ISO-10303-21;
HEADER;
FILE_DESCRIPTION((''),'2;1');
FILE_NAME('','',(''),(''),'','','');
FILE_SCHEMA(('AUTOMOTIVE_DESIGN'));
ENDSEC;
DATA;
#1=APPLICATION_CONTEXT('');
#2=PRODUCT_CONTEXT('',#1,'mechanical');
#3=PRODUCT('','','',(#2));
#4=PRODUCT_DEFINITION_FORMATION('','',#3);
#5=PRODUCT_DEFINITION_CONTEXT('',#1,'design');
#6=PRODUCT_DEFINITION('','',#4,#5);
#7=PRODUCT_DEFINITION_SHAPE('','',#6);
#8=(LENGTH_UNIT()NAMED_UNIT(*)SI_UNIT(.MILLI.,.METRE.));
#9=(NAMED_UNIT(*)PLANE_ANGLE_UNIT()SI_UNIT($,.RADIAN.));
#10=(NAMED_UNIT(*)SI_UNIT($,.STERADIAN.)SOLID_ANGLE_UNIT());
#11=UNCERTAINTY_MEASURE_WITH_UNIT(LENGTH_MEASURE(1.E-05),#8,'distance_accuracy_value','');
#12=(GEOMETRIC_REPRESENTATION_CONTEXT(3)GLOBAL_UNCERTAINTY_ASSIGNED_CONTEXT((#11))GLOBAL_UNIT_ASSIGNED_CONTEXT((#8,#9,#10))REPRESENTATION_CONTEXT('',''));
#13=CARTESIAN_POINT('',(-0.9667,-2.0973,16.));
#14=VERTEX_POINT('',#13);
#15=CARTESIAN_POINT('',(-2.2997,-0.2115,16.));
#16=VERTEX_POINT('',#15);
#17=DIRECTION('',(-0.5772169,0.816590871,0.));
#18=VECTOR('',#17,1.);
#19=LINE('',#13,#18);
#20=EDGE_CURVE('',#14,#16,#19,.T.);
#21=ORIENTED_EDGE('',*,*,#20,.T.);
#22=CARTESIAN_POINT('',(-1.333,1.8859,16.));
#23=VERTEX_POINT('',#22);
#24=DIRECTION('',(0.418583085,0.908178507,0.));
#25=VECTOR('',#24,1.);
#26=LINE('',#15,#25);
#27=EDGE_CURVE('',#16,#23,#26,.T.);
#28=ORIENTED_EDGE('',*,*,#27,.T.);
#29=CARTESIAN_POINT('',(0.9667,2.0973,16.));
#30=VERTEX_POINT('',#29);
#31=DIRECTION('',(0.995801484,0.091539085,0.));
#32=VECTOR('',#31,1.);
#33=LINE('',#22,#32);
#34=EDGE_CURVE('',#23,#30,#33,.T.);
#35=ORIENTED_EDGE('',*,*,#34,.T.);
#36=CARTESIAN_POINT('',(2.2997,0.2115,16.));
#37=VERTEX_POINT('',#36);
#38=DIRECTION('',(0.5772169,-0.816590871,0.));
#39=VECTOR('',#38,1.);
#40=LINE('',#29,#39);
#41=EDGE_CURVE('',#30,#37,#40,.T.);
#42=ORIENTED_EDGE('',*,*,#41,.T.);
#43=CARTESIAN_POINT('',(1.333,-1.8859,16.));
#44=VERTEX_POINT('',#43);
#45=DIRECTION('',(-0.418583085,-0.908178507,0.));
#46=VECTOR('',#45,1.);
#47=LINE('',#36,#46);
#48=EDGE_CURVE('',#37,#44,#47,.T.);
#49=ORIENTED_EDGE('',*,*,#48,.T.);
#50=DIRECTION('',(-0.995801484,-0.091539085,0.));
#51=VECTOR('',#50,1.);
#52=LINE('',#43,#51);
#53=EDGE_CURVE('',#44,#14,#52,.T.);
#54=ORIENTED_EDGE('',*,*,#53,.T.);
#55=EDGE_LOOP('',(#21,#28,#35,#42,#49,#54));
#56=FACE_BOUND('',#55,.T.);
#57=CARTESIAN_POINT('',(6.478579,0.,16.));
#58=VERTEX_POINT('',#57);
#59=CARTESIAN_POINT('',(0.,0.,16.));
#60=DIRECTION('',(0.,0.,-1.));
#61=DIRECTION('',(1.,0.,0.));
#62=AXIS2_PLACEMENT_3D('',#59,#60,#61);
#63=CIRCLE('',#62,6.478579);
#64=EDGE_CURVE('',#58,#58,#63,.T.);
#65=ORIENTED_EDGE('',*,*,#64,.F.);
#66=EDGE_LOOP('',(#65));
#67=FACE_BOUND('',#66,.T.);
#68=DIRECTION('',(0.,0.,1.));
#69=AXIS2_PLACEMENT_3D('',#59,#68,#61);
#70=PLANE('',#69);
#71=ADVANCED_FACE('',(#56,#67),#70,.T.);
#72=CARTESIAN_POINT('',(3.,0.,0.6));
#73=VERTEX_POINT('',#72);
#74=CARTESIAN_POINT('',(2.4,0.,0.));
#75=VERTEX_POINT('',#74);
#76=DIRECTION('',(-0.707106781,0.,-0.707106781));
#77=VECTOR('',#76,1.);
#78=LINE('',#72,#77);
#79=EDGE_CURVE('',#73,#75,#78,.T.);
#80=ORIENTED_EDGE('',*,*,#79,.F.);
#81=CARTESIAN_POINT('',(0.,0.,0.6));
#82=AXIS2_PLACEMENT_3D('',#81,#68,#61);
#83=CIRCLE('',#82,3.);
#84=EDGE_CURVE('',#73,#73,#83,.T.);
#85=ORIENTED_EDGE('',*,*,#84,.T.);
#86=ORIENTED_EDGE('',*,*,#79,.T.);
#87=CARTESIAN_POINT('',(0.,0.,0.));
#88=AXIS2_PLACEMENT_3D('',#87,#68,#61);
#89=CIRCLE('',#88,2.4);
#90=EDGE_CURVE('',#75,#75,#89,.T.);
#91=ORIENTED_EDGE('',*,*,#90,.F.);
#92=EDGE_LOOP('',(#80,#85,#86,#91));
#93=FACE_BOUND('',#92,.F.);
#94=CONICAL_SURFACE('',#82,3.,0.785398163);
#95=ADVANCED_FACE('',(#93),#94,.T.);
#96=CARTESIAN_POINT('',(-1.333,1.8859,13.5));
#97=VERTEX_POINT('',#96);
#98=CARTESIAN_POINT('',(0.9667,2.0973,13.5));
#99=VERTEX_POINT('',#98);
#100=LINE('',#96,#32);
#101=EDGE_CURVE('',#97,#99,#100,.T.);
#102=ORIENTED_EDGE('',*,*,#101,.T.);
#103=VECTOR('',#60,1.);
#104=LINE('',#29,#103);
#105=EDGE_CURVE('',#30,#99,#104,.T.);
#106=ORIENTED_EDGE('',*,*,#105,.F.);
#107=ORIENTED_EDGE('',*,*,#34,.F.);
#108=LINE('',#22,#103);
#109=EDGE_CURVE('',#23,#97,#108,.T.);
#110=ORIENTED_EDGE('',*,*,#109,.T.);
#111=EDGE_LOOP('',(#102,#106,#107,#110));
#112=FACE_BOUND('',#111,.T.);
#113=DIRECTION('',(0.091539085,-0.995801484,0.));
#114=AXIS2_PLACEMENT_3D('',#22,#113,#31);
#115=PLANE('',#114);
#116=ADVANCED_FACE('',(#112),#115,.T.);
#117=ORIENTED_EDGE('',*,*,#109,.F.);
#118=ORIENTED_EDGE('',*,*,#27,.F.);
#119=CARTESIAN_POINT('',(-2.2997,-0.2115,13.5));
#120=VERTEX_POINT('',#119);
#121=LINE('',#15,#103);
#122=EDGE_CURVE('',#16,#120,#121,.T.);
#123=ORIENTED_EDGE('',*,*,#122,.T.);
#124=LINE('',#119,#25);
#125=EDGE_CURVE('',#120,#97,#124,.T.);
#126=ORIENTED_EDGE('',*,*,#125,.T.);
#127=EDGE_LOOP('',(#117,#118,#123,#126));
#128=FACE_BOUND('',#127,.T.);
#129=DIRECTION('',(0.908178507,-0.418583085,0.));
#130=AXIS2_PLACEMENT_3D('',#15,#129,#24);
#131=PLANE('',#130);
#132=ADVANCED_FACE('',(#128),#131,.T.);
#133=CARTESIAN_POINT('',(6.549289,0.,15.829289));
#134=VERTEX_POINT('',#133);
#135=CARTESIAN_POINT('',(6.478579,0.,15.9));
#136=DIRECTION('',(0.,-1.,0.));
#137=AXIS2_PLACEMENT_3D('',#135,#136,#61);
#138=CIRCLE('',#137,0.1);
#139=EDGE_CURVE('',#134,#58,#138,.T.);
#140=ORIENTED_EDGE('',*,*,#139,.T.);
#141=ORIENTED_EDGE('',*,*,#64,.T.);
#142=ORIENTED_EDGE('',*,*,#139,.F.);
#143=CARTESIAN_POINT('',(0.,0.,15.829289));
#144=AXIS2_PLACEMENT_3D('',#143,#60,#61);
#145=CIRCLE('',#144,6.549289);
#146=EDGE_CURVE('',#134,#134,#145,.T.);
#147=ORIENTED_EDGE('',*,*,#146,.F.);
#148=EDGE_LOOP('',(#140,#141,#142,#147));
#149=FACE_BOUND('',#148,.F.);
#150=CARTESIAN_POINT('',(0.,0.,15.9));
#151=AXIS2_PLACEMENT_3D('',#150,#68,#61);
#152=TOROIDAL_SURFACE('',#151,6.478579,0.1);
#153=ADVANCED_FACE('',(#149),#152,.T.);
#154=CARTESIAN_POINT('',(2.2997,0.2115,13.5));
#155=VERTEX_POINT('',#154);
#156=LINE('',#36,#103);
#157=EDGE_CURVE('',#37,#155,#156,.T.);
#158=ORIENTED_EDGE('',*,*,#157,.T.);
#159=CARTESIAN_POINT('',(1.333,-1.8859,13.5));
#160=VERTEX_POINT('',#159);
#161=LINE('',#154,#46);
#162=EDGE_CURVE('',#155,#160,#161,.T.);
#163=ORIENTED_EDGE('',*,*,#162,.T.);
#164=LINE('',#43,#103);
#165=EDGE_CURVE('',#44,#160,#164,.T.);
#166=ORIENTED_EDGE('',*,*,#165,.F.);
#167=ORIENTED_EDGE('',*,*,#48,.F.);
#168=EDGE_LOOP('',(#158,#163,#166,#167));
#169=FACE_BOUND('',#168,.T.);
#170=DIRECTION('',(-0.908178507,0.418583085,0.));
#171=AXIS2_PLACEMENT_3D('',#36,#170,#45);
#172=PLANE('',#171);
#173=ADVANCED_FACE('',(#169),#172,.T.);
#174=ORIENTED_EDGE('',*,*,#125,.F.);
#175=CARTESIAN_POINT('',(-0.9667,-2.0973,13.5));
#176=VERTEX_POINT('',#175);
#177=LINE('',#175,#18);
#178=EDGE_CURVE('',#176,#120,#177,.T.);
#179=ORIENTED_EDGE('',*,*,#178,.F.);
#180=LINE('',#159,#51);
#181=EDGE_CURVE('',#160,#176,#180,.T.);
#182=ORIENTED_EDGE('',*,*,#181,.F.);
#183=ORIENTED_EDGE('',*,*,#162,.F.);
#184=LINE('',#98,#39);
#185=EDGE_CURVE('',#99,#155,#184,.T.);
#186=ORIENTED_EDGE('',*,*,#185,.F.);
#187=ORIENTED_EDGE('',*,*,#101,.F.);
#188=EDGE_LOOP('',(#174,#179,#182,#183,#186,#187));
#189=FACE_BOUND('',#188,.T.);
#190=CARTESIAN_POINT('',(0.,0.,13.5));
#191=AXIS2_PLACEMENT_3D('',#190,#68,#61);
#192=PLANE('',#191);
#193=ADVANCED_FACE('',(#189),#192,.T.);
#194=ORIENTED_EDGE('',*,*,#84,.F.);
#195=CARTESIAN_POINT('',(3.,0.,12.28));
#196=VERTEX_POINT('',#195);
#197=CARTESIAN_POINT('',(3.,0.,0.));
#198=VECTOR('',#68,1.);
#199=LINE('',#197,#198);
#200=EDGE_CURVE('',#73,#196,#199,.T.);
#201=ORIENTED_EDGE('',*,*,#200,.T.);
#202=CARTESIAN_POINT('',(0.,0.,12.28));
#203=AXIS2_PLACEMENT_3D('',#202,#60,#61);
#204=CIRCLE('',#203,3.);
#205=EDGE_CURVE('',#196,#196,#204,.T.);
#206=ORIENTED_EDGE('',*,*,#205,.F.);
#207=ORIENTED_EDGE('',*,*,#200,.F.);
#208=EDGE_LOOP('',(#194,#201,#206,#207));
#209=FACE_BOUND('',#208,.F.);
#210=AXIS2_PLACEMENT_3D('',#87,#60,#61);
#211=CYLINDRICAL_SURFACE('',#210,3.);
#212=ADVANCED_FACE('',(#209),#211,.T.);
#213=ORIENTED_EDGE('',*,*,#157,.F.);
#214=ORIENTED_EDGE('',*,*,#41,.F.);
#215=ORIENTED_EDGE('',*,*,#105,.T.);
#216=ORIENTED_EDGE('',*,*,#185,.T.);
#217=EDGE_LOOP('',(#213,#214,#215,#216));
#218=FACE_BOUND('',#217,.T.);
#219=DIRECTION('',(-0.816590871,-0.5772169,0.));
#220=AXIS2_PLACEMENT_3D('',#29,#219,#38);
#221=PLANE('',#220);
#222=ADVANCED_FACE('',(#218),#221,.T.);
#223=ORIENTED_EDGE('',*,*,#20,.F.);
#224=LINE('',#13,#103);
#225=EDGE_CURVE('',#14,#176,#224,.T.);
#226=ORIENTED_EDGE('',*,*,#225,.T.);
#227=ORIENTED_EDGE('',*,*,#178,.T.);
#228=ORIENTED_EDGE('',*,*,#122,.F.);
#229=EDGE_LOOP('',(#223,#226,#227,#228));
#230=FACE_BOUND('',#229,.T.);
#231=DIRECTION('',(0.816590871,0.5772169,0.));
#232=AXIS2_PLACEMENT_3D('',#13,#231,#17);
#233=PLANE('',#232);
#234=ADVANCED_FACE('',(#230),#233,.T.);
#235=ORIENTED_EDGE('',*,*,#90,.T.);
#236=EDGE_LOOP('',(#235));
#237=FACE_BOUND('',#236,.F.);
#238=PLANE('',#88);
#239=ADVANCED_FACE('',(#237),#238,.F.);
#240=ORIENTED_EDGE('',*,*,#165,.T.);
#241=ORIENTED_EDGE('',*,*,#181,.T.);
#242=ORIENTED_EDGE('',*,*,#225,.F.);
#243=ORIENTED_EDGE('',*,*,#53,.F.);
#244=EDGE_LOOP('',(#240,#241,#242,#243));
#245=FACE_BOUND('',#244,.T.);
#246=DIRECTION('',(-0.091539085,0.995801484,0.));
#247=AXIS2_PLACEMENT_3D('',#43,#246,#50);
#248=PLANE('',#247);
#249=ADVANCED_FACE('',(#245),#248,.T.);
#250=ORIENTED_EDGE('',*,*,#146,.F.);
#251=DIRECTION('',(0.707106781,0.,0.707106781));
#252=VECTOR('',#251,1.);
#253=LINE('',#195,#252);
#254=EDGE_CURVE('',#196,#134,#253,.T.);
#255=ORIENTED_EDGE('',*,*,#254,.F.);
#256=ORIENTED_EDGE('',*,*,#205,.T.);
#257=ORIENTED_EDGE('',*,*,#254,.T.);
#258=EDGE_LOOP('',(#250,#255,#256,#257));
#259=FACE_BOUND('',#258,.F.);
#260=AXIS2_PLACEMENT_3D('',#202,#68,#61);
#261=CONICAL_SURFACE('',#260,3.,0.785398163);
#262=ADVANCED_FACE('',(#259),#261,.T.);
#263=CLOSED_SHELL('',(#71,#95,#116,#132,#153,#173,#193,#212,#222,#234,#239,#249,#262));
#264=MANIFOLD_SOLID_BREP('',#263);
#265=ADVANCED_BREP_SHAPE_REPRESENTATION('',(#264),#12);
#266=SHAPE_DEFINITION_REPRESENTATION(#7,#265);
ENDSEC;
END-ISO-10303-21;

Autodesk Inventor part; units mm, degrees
ref_plane "YZ Plane" through (0, 0, 0) normal (1, 0, 0) x (0, 1, 0)
ref_plane "XZ Plane" through (0, 0, 0) normal (0, 1, 0) x (-1, 0, 0)
ref_plane "XY Plane" through (0, 0, 0) normal (0, 0, 1) x (1, 0, 0)
sketch "Sketch1" plane through (0, 0, 0) normal (0, 0, 1) x (1, 0, 0)
  circle A0 centre (0, 0) radius 3
  dimension "Diameter" = 6
extrude "Extrusion1" add sketch "Sketch1" along normal blind 12.28
sketch "Sketch2" plane through (0, 0, 12.28) normal (0, 0, 1) x (1, 0, 0)
  circle A0 centre (0, 0) radius 3 projected
extrude "Extrusion2" add sketch "Sketch2" along normal blind 3.72 draft 45
sketch "Sketch3" plane through (0, 0, 16) normal (0, 0, 1) x (1, 0, 0)
  circle A0 centre (0, 0) radius 6.72 projected
  circle A1 centre (0, 0) radius 2.3094 construction
  line L0 (0.9667, 2.0973) -> (2.2997, 0.2115)
  line L1 (2.2997, 0.2115) -> (1.333, -1.8859)
  line L2 (1.333, -1.8859) -> (-0.9667, -2.0973)
  line L3 (-0.9667, -2.0973) -> (-2.2997, -0.2115)
  line L4 (-2.2997, -0.2115) -> (-1.333, 1.8859)
  line L5 (-1.333, 1.8859) -> (0.9667, 2.0973)
  dimension "Hex_Width" = 4
extrude "Extrusion3" cut sketch "Sketch3" against normal blind 2.5 contours L0 L1 L2 L3 L4 L5
thread "Thread1" size "M6x1" class "4g6g" standard "ANSI Metric M Profile" length 12.28
chamfer "Chamfer2" distance 0.6 angle 45 1 edges at (-3, 0, 0)
fillet "Fillet1" radius 0.1 1 edges at (-6.72, 0, 16)
equation "\"d10\" = Thread_Length"
equation "\"d13\" = Chamfer"
equation "\"Thread_Length\" = 12.28"
equation "\"Length\" = 16"
equation "\"Chamfer\" = 0.6"
properties part number "SCREW,FLAT HD,P,12.9,M6X1.00X16MM"
